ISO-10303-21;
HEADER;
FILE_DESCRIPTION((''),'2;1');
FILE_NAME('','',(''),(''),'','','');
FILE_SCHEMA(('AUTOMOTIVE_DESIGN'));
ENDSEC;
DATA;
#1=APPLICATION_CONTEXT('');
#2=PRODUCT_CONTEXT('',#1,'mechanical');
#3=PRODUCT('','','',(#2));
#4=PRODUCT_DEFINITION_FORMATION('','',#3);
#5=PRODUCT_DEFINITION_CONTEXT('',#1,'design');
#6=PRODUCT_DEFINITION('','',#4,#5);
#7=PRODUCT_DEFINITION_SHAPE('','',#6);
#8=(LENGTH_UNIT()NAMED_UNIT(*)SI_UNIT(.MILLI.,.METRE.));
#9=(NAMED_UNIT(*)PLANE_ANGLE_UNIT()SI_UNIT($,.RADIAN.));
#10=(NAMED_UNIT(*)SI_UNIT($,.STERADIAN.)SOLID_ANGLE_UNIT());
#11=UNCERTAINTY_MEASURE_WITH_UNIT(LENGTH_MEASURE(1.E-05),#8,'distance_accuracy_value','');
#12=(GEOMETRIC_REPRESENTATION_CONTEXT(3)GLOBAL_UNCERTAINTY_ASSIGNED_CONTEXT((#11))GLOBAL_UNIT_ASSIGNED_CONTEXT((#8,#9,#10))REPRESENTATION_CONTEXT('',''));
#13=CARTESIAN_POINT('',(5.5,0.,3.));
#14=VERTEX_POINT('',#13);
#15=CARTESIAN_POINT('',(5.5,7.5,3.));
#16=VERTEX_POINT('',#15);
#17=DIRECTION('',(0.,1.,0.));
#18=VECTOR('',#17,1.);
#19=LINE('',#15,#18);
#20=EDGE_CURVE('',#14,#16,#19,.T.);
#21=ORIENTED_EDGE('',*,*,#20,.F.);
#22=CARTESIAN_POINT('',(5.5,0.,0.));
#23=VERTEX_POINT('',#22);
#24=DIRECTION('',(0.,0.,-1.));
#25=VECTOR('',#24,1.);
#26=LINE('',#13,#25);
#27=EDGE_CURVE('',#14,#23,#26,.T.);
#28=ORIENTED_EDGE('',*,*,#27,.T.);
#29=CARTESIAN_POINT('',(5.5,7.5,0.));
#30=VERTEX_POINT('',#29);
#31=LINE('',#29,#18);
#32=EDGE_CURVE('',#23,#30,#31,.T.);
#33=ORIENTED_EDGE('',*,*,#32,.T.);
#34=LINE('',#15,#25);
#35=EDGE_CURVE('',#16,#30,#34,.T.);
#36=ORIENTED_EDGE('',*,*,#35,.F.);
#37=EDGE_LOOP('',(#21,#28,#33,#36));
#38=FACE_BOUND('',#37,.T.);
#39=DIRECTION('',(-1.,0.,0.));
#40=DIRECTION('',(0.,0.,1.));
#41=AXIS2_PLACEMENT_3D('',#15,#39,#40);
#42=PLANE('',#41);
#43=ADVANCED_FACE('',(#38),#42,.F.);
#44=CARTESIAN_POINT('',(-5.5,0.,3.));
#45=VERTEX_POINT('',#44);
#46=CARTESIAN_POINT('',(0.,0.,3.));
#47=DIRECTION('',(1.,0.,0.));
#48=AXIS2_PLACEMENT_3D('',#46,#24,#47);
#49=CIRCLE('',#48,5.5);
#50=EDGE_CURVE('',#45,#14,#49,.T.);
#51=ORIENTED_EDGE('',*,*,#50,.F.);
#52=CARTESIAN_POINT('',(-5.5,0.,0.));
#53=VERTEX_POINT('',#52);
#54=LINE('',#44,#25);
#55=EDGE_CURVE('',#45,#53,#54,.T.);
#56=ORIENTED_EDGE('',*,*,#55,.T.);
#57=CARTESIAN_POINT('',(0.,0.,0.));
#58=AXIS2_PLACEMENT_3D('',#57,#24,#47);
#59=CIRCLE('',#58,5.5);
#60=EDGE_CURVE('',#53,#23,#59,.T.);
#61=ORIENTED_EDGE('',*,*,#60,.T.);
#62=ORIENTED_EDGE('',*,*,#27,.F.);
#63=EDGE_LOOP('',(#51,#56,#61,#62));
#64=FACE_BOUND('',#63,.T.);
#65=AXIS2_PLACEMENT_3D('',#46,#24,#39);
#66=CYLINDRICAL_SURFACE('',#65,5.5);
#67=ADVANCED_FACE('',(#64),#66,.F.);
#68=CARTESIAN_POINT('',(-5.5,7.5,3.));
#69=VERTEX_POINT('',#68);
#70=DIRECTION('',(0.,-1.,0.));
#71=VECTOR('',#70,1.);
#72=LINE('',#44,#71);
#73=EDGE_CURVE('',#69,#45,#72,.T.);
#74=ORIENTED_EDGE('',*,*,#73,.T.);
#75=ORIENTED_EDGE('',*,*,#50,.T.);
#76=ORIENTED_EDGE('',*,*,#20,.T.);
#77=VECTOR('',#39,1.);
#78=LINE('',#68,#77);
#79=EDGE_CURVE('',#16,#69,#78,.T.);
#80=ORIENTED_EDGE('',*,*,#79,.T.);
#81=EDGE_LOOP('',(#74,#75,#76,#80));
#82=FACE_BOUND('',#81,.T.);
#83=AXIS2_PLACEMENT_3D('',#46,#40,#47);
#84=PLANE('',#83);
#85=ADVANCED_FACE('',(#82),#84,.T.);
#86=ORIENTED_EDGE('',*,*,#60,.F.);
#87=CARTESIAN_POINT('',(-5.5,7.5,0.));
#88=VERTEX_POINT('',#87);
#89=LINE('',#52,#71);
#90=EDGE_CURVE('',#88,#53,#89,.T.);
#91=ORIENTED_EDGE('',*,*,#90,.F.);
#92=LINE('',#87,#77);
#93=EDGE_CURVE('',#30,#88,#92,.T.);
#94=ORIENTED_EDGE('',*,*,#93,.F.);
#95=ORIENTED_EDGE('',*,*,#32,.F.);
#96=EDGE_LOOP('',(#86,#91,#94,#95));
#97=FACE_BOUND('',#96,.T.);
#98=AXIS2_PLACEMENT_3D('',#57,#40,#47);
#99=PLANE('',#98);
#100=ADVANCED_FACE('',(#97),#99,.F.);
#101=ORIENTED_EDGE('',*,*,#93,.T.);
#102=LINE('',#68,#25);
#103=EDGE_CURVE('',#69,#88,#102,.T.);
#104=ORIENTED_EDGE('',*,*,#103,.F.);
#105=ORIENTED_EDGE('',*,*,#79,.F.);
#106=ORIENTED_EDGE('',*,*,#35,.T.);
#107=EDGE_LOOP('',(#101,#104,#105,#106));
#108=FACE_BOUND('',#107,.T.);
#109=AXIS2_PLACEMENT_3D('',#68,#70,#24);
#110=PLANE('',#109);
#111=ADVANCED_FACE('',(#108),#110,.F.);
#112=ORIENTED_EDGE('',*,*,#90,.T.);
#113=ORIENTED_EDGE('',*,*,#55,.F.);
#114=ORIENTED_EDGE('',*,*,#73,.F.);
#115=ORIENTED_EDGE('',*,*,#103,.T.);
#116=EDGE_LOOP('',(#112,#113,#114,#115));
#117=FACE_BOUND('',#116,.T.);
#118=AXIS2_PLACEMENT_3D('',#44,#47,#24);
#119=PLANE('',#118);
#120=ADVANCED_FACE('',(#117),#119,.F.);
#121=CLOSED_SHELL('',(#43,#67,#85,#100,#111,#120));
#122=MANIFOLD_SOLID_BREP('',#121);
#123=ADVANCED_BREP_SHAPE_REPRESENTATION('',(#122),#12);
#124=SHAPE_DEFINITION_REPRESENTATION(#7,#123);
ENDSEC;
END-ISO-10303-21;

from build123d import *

# Parameters (mm, degrees)
EXTRUDE_1_DEPTH = 3


with BuildPart() as part:
    # 草图1 → 凸台-拉伸1 (new body)
    with BuildSketch(Plane.XY):
        with BuildLine():
            Line((-5.5, 0), (-5.5, 7.5))
            Line((-5.5, 7.5), (5.5, 7.5))
            Line((5.5, 7.5), (5.5, 0))
            ThreePointArc((5.5, 0), (0, 5.5), (-5.5, 0))
        make_face()
    extrude(amount=EXTRUDE_1_DEPTH)


solid = part.part
